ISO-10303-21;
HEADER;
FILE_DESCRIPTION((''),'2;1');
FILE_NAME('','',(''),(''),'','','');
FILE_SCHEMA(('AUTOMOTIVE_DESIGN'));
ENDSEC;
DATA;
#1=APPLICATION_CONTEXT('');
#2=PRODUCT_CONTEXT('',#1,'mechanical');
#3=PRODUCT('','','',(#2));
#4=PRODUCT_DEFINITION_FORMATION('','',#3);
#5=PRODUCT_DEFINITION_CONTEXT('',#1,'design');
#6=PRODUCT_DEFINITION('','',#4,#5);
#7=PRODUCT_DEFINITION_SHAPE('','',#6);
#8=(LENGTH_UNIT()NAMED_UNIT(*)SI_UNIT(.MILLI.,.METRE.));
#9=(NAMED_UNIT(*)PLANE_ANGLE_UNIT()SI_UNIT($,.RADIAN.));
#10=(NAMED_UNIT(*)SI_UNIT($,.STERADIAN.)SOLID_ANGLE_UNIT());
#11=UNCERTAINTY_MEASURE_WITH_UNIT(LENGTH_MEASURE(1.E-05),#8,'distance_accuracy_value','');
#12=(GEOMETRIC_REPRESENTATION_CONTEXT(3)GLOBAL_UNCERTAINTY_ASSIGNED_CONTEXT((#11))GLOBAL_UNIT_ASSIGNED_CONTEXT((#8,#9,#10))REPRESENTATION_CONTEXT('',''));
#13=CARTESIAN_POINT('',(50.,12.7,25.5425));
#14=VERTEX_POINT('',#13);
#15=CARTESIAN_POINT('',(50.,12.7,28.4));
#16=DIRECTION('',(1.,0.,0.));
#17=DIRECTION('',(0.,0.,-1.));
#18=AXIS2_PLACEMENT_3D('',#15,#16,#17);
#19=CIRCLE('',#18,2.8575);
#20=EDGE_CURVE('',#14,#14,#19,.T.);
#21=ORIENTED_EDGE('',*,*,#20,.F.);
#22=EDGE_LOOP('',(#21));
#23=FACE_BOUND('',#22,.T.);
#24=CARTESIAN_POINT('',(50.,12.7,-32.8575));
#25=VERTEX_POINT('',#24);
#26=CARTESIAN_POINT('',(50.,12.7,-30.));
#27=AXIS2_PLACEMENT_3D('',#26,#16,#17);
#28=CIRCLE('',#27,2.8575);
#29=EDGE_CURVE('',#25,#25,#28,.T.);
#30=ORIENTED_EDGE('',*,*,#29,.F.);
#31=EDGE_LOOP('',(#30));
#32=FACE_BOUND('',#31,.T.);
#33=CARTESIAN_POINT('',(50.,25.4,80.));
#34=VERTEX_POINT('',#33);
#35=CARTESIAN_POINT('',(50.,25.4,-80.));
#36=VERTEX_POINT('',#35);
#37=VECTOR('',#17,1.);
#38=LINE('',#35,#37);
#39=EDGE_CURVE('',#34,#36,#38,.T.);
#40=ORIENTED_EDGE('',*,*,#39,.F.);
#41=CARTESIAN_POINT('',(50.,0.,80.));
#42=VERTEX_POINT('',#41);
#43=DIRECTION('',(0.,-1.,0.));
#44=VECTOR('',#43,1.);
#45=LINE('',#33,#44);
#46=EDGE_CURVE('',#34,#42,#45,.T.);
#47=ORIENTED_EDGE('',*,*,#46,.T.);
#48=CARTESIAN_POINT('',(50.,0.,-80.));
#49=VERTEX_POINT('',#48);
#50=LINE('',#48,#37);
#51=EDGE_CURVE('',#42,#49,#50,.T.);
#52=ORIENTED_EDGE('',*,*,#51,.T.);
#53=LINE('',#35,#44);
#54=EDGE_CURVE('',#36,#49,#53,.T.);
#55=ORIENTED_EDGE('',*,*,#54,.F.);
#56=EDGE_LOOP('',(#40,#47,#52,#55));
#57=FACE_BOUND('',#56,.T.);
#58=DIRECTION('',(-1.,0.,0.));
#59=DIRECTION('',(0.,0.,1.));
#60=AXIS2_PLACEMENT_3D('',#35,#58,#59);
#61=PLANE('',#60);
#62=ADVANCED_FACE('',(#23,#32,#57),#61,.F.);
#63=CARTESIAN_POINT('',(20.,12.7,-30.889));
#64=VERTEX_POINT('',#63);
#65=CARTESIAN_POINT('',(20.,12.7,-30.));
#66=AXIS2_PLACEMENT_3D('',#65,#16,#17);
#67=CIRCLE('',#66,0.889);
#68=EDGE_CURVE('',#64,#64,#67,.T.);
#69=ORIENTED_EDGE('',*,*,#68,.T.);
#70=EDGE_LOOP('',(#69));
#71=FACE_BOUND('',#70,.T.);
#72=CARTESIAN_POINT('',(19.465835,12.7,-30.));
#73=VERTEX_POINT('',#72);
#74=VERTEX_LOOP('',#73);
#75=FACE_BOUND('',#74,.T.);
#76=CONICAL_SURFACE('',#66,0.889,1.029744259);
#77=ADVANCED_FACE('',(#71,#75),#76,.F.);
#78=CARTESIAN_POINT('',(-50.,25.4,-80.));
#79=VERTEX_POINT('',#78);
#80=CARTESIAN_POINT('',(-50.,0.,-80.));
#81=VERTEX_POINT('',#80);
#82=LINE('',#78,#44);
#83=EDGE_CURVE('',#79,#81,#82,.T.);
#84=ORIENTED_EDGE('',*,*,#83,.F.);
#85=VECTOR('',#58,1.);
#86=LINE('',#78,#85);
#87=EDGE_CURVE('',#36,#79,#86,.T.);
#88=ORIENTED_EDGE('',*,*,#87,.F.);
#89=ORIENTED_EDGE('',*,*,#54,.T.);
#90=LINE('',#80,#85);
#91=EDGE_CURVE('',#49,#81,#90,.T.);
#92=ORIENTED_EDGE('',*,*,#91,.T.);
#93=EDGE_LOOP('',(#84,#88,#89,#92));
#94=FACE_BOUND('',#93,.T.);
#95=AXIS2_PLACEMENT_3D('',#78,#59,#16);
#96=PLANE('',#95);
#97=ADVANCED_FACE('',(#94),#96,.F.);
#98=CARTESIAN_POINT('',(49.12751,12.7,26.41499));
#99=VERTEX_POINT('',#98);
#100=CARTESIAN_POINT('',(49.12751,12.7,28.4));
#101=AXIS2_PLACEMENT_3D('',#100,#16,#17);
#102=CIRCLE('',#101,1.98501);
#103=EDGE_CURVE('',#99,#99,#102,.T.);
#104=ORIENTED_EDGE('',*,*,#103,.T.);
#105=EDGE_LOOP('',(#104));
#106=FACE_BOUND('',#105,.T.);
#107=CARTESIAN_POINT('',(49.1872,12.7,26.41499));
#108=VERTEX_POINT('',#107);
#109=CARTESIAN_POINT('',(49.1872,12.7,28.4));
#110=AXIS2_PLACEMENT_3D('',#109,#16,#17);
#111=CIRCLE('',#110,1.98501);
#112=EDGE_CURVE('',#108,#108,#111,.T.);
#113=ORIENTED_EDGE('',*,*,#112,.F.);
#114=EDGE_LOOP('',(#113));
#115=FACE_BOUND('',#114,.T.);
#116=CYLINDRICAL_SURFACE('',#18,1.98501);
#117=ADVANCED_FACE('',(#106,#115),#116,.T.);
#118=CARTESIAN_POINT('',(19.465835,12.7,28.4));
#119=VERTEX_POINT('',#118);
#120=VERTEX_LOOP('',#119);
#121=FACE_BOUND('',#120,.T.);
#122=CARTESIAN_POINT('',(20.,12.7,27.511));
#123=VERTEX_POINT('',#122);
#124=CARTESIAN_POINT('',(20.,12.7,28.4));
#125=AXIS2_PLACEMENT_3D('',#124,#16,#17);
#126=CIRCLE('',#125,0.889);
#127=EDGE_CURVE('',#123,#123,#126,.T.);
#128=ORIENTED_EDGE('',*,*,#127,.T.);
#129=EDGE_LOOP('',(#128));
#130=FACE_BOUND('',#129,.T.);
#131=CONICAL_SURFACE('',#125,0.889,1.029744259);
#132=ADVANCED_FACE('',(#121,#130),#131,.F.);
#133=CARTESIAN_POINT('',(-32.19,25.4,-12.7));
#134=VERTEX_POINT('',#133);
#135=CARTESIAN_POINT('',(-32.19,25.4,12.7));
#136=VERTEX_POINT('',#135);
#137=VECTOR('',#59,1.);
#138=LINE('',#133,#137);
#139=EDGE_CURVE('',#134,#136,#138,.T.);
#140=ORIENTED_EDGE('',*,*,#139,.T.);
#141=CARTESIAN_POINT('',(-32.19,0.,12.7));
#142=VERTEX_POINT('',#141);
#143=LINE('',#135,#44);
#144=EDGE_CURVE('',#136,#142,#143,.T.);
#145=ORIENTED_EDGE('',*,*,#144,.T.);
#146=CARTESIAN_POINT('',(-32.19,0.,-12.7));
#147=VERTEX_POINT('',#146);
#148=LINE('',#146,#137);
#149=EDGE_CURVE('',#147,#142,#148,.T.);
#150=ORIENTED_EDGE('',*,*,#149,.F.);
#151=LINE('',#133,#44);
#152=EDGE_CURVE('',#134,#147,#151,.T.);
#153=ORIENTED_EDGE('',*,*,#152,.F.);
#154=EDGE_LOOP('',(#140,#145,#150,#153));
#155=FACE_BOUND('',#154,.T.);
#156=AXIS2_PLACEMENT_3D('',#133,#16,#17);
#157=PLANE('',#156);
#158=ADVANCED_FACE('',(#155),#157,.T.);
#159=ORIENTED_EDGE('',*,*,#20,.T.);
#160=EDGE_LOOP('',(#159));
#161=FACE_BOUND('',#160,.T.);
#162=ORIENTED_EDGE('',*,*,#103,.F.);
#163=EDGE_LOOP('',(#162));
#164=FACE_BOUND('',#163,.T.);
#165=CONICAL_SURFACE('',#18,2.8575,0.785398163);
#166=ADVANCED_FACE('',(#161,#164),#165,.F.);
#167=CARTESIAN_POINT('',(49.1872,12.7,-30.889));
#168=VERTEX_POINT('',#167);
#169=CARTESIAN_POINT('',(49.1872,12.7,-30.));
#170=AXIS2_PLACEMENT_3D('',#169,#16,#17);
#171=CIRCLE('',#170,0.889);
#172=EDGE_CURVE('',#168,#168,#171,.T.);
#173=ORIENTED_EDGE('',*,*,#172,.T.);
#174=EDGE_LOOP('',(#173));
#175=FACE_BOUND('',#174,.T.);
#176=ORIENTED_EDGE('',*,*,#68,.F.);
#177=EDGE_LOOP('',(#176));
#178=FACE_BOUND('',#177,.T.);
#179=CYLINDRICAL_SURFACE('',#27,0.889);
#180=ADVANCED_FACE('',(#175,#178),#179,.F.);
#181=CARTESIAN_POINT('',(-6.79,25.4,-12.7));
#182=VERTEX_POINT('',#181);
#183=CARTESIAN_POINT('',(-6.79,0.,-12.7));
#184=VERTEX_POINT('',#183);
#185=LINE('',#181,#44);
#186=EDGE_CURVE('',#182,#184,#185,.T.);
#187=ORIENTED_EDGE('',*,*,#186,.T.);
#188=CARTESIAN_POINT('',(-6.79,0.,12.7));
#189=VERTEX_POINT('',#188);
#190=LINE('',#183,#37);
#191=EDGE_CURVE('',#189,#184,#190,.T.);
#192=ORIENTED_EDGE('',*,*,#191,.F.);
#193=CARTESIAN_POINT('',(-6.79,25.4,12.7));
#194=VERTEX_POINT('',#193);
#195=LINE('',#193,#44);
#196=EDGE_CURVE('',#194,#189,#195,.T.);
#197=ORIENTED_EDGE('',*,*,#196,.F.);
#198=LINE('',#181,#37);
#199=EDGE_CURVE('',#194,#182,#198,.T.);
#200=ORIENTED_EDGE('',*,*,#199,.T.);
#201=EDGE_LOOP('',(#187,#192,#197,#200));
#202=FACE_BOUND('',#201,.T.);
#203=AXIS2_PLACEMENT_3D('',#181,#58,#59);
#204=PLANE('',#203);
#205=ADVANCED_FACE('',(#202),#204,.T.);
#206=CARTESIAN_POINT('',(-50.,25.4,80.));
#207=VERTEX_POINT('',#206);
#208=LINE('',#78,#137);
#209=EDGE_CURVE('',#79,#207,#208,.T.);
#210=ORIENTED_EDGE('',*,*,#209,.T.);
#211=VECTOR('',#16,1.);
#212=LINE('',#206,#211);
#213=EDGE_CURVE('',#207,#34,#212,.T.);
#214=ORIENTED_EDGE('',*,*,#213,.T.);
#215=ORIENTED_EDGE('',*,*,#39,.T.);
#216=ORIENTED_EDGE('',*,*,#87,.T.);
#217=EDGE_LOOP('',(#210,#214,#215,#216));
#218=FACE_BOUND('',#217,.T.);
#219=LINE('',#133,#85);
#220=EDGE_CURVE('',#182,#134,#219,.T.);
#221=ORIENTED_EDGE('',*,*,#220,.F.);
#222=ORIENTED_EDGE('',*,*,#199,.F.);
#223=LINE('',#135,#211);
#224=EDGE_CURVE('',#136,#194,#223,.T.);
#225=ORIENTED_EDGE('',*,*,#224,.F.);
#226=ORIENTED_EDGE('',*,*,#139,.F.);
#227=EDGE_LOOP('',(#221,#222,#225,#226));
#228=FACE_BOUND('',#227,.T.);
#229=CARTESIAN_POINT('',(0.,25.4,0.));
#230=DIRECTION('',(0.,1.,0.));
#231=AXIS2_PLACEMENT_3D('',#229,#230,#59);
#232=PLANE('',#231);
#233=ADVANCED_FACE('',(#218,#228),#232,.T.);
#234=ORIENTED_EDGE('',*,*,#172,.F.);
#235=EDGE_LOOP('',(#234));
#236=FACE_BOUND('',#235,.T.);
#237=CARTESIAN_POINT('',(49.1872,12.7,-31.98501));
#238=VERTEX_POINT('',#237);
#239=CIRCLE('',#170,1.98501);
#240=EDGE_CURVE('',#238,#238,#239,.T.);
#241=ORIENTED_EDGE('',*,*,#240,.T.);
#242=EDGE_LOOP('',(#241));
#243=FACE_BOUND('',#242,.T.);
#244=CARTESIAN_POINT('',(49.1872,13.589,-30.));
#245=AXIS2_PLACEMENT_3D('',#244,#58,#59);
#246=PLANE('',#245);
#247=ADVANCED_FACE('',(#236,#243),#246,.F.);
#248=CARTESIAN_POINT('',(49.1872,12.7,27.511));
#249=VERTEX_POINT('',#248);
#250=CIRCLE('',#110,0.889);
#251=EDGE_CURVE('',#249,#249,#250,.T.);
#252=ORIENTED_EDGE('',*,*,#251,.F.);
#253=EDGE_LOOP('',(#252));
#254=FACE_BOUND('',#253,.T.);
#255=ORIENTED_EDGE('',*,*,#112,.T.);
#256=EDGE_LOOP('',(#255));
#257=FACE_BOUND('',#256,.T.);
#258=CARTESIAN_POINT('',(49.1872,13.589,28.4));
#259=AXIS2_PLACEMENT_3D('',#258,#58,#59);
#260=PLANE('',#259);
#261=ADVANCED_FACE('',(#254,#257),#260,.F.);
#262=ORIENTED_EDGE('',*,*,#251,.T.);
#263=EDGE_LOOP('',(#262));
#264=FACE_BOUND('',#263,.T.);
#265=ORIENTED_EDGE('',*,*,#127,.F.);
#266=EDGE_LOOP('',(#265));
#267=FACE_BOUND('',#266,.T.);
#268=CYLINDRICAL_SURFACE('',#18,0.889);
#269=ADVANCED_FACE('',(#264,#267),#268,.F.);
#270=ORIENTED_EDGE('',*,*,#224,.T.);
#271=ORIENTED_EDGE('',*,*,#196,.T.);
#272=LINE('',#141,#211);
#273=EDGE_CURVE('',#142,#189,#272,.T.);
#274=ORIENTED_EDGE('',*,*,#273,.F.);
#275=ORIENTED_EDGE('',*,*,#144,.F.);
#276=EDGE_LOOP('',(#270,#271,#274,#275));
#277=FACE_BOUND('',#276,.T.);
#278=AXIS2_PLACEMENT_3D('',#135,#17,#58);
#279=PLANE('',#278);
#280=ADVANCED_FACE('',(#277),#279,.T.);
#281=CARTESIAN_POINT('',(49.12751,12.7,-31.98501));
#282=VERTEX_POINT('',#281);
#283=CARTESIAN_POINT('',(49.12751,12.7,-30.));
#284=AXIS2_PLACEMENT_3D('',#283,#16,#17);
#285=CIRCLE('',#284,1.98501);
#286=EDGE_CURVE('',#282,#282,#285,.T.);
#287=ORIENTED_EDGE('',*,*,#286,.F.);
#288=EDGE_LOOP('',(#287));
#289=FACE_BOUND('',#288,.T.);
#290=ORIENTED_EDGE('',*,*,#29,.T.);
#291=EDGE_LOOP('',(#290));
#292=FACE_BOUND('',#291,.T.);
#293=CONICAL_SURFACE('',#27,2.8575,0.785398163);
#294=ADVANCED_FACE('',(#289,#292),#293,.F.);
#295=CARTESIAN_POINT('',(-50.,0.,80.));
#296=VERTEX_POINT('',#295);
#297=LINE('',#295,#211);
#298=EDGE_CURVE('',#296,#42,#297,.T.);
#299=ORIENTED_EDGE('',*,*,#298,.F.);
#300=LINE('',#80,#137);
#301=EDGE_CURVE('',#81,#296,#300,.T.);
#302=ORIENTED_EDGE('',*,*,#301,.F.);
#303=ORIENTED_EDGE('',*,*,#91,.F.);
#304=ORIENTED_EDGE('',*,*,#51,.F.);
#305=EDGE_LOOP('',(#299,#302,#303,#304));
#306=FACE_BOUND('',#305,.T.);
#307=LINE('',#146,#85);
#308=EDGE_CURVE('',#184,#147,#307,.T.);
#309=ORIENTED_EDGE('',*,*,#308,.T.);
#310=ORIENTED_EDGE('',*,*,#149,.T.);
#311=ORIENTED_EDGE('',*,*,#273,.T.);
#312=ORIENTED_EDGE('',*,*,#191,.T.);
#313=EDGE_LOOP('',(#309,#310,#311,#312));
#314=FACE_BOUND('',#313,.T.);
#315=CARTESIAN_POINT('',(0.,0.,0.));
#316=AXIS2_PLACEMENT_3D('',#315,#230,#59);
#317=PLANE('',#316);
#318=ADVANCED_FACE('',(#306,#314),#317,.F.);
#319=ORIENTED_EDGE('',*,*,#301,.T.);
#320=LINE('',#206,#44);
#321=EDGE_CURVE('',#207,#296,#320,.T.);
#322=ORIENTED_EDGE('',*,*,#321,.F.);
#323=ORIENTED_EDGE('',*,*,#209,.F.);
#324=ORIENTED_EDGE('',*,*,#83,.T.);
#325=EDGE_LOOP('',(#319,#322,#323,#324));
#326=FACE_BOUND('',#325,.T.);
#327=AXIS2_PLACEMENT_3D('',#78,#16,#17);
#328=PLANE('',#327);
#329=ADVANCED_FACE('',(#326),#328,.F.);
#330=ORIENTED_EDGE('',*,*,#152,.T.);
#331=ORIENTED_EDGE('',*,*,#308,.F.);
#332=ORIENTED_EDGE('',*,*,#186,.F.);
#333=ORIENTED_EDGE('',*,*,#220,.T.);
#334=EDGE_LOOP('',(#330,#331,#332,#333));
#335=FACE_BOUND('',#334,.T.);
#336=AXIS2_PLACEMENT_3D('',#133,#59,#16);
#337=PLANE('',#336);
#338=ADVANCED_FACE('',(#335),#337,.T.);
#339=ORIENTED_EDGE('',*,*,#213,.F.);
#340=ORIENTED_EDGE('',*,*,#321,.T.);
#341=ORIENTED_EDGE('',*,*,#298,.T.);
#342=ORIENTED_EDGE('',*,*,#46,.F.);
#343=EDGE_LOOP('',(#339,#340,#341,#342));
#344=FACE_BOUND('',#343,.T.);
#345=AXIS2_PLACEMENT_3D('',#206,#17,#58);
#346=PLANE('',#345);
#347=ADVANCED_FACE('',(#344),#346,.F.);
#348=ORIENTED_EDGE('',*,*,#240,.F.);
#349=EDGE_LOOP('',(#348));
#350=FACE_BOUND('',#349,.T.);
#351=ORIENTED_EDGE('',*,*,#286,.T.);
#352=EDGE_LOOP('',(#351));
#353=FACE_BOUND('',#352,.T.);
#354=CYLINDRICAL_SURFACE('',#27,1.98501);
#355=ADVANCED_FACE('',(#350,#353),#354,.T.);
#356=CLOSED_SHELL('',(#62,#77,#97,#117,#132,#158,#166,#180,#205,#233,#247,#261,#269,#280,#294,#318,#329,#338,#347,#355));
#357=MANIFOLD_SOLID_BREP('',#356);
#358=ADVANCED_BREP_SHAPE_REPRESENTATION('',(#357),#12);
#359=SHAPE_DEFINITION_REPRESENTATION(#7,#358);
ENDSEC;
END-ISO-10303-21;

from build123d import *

# Parameters (mm, degrees)
SKETCH1_W                                   = 100
SKETCH1_H                                   = 160
SKETCH1_W_2                                 = 25.4
SKETCH1_H_2                                 = 25.4
BOSS_EXTRUDE1_DEPTH                         = 25.4
CBORE_FOR_0_BINDING_HEAD_MACHINE_SC_2_COUNT = 2
CBORE_FOR_0_BINDING_HEAD_MACHINE_SC_2_PITCH = 58.4


with BuildPart() as part:
    # Sketch1 → Boss-Extrude1 (new body)
    with BuildSketch(Plane(origin=(0, 0, 0), x_dir=(1, 0, 0), z_dir=(0, 1, 0))):
        Rectangle(SKETCH1_W, SKETCH1_H)
        with Locations((-19.49, 0)):
            Rectangle(SKETCH1_W_2, SKETCH1_H_2, mode=Mode.SUBTRACT)
    extrude(amount=BOSS_EXTRUDE1_DEPTH)

    # Sketch3 → CBORE for #0 Binding Head Machine Screw1 (revolve, cut)
    with BuildSketch(Plane(origin=(50, 12.7, 28.4), x_dir=(0, 0, -1), z_dir=(0, 1, 0))):
        Polygon((0, 0), (0, 30.53416509), (0.889, 30), (0.889, 0.8128), (1.98501, 0.8128), (1.98501, 0.87249), (2.8575, 0), align=None)
    cbore_for_0_binding_head_machine_screw1 = revolve(axis=Axis((56.35, 12.7, 28.4), (-1, 0, 0)), mode=Mode.SUBTRACT)

    # CBORE for _0 Binding Head Machine Sc 2: CBORE for #0 Binding Head Machine Screw1 ×2
    with Locations(*[(0, 0, -i * CBORE_FOR_0_BINDING_HEAD_MACHINE_SC_2_PITCH) for i in range(1, CBORE_FOR_0_BINDING_HEAD_MACHINE_SC_2_COUNT)]):
        add(cbore_for_0_binding_head_machine_screw1, mode=Mode.SUBTRACT)


solid = part.part
